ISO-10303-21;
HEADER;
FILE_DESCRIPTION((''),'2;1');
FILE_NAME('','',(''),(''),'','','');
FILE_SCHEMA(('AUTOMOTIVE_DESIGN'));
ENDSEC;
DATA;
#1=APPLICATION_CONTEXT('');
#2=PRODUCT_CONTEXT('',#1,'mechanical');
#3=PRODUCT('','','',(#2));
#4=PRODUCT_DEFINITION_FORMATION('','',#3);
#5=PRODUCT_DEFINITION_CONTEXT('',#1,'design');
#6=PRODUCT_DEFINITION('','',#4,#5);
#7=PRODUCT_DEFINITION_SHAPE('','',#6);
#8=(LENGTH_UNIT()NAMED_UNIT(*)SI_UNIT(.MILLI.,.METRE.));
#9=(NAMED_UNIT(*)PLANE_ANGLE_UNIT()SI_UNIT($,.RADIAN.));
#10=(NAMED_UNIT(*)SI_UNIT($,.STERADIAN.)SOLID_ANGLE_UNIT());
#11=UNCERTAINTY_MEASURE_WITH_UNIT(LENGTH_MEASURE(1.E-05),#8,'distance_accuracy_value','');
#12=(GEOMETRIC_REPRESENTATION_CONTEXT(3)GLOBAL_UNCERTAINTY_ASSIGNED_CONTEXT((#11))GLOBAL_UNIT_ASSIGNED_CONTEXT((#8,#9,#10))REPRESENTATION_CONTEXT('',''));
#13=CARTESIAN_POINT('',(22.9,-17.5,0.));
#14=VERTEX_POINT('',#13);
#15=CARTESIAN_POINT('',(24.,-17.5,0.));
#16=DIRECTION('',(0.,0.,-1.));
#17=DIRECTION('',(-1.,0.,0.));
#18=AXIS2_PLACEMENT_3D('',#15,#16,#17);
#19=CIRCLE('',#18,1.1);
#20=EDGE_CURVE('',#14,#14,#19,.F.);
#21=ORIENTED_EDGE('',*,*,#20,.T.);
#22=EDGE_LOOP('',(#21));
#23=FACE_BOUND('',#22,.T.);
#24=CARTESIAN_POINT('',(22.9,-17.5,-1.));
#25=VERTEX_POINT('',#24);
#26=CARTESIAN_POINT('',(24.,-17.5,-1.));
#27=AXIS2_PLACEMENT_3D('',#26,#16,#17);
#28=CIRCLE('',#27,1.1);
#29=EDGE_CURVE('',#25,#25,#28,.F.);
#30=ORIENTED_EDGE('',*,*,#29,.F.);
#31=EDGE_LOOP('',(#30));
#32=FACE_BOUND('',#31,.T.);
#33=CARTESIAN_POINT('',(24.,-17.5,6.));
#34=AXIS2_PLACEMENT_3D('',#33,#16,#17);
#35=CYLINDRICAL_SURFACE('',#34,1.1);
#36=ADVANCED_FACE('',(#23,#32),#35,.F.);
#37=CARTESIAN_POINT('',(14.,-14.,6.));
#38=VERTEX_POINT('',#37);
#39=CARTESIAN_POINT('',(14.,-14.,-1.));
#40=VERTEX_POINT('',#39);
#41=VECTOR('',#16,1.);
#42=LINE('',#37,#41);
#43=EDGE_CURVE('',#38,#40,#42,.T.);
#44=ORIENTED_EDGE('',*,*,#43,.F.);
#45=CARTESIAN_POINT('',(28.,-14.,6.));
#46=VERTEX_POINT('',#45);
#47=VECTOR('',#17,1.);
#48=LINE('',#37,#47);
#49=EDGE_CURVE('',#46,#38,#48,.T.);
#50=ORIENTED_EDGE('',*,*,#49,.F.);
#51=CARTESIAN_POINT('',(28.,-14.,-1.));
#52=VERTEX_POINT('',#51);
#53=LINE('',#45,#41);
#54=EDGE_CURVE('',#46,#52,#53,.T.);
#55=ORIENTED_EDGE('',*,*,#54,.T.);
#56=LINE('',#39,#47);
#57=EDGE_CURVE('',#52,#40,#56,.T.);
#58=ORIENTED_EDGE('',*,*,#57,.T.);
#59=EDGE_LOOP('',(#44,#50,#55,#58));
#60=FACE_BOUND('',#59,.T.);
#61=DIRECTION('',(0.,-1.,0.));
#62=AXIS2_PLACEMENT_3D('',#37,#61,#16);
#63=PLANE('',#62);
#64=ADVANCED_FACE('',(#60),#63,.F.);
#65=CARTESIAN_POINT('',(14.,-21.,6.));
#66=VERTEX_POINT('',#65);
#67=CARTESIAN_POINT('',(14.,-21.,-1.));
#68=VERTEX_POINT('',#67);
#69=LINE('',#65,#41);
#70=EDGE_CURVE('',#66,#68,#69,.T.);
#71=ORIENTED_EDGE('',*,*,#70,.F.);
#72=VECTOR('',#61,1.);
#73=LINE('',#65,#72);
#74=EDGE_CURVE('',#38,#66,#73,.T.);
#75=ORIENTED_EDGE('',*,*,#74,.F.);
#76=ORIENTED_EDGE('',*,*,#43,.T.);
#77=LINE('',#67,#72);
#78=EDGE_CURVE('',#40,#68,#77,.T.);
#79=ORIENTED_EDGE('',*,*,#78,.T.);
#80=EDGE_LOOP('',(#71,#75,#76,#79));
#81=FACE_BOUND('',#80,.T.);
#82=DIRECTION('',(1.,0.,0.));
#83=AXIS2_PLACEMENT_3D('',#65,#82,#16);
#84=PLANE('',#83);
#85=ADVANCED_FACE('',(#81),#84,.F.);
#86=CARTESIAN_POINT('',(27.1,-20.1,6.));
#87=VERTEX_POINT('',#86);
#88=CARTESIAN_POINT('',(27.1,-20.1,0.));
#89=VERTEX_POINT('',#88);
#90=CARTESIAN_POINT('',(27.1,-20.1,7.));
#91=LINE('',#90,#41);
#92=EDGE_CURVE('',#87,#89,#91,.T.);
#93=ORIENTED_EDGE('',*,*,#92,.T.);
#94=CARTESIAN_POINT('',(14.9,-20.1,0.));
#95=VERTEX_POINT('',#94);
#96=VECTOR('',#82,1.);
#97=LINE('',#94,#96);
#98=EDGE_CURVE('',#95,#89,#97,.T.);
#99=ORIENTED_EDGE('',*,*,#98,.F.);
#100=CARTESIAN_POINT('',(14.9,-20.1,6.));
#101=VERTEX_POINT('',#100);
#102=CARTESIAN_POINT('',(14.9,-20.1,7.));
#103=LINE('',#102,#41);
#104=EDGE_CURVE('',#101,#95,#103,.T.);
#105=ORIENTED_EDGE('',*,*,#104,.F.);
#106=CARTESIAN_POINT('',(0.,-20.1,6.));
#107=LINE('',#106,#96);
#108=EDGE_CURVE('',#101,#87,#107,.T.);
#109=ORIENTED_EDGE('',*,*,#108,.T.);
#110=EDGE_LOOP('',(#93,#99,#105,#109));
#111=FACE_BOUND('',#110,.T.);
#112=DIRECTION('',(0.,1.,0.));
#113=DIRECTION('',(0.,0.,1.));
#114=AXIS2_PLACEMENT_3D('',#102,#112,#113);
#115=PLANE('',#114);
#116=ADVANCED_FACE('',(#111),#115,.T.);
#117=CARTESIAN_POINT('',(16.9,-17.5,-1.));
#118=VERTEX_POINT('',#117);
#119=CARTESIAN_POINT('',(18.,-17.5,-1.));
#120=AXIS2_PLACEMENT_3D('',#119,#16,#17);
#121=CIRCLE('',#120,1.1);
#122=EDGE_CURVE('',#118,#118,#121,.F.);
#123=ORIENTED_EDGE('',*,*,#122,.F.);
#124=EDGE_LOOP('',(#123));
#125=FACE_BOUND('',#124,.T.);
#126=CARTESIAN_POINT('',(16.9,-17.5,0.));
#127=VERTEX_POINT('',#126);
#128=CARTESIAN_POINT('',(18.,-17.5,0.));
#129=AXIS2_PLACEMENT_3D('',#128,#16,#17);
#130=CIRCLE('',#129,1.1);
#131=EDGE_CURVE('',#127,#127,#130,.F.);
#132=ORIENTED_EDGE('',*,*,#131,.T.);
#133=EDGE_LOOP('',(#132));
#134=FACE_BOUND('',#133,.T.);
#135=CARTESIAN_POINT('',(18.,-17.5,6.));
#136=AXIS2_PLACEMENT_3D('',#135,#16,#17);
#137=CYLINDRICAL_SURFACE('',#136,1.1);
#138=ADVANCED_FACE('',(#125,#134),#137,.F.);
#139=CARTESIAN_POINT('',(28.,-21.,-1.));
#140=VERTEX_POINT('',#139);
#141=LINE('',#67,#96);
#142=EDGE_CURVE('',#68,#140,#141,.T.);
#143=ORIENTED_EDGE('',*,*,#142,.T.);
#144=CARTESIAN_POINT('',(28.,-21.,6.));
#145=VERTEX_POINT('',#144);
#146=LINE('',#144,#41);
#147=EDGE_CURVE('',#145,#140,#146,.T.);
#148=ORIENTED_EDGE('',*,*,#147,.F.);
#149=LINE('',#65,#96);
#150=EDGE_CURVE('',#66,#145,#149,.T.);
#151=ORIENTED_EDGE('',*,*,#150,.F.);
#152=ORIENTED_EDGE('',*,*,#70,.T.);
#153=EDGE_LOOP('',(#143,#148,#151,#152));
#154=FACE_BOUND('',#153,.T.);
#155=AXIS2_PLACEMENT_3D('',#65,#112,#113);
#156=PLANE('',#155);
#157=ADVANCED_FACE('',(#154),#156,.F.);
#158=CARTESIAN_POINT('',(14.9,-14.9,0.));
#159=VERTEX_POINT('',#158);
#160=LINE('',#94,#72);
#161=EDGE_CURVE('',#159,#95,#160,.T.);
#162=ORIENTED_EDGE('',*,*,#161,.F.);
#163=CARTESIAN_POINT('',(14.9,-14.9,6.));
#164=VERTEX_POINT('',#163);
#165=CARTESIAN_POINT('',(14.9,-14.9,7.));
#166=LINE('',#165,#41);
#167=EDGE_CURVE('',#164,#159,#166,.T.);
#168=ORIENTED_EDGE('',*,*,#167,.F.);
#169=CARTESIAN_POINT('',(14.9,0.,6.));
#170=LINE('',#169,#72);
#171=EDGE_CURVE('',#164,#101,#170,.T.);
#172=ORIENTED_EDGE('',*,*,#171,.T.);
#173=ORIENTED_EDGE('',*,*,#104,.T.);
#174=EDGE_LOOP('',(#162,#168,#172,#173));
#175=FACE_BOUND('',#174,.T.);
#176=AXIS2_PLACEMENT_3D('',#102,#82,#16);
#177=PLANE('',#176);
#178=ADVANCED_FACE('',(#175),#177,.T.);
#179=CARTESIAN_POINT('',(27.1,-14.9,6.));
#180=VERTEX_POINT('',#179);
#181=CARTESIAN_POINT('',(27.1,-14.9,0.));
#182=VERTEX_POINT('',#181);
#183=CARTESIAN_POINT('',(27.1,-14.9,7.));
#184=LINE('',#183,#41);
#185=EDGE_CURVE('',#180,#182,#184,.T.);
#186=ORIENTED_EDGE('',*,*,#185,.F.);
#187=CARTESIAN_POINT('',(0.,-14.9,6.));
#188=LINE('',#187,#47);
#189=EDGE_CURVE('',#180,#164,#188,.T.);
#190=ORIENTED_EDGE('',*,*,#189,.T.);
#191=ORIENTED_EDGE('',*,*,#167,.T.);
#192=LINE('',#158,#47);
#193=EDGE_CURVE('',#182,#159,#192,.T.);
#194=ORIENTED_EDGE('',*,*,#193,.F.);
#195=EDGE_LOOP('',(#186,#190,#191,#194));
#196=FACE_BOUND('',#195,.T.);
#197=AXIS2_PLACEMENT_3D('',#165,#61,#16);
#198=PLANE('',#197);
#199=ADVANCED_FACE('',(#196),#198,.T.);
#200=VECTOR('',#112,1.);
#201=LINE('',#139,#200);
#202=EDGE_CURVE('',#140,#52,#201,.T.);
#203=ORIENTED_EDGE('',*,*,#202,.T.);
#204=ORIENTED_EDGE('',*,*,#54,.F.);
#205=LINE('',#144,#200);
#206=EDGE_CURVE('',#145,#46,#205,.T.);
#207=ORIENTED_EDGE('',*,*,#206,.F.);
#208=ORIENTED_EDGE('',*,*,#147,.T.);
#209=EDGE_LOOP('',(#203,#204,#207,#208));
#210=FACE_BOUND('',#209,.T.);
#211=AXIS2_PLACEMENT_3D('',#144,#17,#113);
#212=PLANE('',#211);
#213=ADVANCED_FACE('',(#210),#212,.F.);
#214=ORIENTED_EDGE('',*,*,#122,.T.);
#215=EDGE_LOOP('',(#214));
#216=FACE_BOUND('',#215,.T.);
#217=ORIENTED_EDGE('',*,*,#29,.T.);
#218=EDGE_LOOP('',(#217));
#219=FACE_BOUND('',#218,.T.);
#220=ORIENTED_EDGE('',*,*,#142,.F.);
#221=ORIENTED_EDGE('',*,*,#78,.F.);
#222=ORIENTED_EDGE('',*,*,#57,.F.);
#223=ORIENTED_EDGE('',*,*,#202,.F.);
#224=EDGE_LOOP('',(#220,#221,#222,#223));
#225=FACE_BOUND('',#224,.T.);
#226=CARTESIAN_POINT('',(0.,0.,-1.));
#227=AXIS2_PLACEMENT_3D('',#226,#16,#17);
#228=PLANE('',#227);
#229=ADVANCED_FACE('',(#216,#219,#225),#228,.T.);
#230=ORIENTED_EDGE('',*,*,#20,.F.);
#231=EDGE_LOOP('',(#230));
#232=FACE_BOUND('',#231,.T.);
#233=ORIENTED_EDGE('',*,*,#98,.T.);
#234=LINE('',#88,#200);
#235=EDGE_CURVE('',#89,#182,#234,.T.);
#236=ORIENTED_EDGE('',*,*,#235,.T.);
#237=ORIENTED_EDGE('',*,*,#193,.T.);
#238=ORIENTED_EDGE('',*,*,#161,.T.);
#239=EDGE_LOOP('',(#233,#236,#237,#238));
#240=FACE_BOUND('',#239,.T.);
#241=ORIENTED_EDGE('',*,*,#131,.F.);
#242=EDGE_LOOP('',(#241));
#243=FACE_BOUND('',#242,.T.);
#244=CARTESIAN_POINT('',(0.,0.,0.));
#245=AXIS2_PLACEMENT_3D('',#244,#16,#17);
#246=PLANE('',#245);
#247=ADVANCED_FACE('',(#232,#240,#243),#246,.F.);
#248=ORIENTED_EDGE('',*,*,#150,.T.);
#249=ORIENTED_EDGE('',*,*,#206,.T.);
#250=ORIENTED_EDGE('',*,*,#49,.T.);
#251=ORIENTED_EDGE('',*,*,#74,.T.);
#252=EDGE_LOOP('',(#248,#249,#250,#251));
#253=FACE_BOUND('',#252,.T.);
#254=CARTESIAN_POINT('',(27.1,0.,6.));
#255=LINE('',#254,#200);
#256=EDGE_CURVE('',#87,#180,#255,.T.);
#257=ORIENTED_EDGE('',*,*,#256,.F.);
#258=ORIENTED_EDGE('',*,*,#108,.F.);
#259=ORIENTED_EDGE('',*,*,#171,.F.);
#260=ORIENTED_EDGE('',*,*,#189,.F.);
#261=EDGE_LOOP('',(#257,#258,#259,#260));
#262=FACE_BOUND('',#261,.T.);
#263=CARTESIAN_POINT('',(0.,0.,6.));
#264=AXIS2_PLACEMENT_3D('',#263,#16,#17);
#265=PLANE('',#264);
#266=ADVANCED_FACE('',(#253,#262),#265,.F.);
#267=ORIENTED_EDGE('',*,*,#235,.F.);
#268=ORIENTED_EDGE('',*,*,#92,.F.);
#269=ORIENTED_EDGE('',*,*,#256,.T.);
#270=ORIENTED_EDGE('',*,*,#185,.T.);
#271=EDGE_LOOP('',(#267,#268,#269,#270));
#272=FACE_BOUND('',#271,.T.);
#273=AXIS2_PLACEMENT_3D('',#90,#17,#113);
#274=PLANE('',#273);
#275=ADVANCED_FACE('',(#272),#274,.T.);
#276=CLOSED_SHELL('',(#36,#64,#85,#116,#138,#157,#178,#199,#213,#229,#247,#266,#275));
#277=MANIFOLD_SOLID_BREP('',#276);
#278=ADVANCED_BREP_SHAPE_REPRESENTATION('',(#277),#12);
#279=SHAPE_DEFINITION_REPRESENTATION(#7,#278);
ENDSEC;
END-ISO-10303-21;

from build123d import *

# Parameters (mm, degrees)
SOFT_CONTACT_AND_WRAP_START     = -1
SOFT_CONTACT_AND_WRAP_PROFILE_W = 14
SOFT_CONTACT_AND_WRAP_PROFILE_H = 7
SOFT_CONTACT_AND_WRAP_DEPTH     = 7
FINGER_SLIP_POCKET_PROFILE_W    = 12.2
FINGER_SLIP_POCKET_PROFILE_H    = 5.2
OPEN_TOP_SLIP_POCKET_DEPTH      = 7
PAD_CAPTURE_M2_START            = -50
PAD_CAPTURE_M2_PROFILE_R        = 1.1
PAD_CAPTURE_M2_DEPTH            = 86.510561809


with BuildPart() as part:
    # Soft_contact_and_wrap_profile → Soft_contact_and_wrap (new body)
    with BuildSketch(Plane.XY.offset(SOFT_CONTACT_AND_WRAP_START)):
        with Locations((21, -17.5)):
            Rectangle(SOFT_CONTACT_AND_WRAP_PROFILE_W, SOFT_CONTACT_AND_WRAP_PROFILE_H)
    extrude(amount=SOFT_CONTACT_AND_WRAP_DEPTH)

    # Finger_slip_pocket_profile → Open_top_slip_pocket (cut)
    with BuildSketch(Plane.XY):
        with Locations((21, -17.5)):
            Rectangle(FINGER_SLIP_POCKET_PROFILE_W, FINGER_SLIP_POCKET_PROFILE_H)
    extrude(amount=OPEN_TOP_SLIP_POCKET_DEPTH, mode=Mode.SUBTRACT)

    # Pad_capture_M2_profile → Pad_capture_M2 (cut, through all)
    with BuildSketch(Plane.XY.offset(PAD_CAPTURE_M2_START)):
        with Locations(Location((18, -17.5, 0), (0, 0, 180))):
            Circle(PAD_CAPTURE_M2_PROFILE_R)
        with Locations(Location((24, -17.5, 0), (0, 0, 180))):
            Circle(PAD_CAPTURE_M2_PROFILE_R)
    extrude(amount=PAD_CAPTURE_M2_DEPTH, mode=Mode.SUBTRACT)


solid = part.part
